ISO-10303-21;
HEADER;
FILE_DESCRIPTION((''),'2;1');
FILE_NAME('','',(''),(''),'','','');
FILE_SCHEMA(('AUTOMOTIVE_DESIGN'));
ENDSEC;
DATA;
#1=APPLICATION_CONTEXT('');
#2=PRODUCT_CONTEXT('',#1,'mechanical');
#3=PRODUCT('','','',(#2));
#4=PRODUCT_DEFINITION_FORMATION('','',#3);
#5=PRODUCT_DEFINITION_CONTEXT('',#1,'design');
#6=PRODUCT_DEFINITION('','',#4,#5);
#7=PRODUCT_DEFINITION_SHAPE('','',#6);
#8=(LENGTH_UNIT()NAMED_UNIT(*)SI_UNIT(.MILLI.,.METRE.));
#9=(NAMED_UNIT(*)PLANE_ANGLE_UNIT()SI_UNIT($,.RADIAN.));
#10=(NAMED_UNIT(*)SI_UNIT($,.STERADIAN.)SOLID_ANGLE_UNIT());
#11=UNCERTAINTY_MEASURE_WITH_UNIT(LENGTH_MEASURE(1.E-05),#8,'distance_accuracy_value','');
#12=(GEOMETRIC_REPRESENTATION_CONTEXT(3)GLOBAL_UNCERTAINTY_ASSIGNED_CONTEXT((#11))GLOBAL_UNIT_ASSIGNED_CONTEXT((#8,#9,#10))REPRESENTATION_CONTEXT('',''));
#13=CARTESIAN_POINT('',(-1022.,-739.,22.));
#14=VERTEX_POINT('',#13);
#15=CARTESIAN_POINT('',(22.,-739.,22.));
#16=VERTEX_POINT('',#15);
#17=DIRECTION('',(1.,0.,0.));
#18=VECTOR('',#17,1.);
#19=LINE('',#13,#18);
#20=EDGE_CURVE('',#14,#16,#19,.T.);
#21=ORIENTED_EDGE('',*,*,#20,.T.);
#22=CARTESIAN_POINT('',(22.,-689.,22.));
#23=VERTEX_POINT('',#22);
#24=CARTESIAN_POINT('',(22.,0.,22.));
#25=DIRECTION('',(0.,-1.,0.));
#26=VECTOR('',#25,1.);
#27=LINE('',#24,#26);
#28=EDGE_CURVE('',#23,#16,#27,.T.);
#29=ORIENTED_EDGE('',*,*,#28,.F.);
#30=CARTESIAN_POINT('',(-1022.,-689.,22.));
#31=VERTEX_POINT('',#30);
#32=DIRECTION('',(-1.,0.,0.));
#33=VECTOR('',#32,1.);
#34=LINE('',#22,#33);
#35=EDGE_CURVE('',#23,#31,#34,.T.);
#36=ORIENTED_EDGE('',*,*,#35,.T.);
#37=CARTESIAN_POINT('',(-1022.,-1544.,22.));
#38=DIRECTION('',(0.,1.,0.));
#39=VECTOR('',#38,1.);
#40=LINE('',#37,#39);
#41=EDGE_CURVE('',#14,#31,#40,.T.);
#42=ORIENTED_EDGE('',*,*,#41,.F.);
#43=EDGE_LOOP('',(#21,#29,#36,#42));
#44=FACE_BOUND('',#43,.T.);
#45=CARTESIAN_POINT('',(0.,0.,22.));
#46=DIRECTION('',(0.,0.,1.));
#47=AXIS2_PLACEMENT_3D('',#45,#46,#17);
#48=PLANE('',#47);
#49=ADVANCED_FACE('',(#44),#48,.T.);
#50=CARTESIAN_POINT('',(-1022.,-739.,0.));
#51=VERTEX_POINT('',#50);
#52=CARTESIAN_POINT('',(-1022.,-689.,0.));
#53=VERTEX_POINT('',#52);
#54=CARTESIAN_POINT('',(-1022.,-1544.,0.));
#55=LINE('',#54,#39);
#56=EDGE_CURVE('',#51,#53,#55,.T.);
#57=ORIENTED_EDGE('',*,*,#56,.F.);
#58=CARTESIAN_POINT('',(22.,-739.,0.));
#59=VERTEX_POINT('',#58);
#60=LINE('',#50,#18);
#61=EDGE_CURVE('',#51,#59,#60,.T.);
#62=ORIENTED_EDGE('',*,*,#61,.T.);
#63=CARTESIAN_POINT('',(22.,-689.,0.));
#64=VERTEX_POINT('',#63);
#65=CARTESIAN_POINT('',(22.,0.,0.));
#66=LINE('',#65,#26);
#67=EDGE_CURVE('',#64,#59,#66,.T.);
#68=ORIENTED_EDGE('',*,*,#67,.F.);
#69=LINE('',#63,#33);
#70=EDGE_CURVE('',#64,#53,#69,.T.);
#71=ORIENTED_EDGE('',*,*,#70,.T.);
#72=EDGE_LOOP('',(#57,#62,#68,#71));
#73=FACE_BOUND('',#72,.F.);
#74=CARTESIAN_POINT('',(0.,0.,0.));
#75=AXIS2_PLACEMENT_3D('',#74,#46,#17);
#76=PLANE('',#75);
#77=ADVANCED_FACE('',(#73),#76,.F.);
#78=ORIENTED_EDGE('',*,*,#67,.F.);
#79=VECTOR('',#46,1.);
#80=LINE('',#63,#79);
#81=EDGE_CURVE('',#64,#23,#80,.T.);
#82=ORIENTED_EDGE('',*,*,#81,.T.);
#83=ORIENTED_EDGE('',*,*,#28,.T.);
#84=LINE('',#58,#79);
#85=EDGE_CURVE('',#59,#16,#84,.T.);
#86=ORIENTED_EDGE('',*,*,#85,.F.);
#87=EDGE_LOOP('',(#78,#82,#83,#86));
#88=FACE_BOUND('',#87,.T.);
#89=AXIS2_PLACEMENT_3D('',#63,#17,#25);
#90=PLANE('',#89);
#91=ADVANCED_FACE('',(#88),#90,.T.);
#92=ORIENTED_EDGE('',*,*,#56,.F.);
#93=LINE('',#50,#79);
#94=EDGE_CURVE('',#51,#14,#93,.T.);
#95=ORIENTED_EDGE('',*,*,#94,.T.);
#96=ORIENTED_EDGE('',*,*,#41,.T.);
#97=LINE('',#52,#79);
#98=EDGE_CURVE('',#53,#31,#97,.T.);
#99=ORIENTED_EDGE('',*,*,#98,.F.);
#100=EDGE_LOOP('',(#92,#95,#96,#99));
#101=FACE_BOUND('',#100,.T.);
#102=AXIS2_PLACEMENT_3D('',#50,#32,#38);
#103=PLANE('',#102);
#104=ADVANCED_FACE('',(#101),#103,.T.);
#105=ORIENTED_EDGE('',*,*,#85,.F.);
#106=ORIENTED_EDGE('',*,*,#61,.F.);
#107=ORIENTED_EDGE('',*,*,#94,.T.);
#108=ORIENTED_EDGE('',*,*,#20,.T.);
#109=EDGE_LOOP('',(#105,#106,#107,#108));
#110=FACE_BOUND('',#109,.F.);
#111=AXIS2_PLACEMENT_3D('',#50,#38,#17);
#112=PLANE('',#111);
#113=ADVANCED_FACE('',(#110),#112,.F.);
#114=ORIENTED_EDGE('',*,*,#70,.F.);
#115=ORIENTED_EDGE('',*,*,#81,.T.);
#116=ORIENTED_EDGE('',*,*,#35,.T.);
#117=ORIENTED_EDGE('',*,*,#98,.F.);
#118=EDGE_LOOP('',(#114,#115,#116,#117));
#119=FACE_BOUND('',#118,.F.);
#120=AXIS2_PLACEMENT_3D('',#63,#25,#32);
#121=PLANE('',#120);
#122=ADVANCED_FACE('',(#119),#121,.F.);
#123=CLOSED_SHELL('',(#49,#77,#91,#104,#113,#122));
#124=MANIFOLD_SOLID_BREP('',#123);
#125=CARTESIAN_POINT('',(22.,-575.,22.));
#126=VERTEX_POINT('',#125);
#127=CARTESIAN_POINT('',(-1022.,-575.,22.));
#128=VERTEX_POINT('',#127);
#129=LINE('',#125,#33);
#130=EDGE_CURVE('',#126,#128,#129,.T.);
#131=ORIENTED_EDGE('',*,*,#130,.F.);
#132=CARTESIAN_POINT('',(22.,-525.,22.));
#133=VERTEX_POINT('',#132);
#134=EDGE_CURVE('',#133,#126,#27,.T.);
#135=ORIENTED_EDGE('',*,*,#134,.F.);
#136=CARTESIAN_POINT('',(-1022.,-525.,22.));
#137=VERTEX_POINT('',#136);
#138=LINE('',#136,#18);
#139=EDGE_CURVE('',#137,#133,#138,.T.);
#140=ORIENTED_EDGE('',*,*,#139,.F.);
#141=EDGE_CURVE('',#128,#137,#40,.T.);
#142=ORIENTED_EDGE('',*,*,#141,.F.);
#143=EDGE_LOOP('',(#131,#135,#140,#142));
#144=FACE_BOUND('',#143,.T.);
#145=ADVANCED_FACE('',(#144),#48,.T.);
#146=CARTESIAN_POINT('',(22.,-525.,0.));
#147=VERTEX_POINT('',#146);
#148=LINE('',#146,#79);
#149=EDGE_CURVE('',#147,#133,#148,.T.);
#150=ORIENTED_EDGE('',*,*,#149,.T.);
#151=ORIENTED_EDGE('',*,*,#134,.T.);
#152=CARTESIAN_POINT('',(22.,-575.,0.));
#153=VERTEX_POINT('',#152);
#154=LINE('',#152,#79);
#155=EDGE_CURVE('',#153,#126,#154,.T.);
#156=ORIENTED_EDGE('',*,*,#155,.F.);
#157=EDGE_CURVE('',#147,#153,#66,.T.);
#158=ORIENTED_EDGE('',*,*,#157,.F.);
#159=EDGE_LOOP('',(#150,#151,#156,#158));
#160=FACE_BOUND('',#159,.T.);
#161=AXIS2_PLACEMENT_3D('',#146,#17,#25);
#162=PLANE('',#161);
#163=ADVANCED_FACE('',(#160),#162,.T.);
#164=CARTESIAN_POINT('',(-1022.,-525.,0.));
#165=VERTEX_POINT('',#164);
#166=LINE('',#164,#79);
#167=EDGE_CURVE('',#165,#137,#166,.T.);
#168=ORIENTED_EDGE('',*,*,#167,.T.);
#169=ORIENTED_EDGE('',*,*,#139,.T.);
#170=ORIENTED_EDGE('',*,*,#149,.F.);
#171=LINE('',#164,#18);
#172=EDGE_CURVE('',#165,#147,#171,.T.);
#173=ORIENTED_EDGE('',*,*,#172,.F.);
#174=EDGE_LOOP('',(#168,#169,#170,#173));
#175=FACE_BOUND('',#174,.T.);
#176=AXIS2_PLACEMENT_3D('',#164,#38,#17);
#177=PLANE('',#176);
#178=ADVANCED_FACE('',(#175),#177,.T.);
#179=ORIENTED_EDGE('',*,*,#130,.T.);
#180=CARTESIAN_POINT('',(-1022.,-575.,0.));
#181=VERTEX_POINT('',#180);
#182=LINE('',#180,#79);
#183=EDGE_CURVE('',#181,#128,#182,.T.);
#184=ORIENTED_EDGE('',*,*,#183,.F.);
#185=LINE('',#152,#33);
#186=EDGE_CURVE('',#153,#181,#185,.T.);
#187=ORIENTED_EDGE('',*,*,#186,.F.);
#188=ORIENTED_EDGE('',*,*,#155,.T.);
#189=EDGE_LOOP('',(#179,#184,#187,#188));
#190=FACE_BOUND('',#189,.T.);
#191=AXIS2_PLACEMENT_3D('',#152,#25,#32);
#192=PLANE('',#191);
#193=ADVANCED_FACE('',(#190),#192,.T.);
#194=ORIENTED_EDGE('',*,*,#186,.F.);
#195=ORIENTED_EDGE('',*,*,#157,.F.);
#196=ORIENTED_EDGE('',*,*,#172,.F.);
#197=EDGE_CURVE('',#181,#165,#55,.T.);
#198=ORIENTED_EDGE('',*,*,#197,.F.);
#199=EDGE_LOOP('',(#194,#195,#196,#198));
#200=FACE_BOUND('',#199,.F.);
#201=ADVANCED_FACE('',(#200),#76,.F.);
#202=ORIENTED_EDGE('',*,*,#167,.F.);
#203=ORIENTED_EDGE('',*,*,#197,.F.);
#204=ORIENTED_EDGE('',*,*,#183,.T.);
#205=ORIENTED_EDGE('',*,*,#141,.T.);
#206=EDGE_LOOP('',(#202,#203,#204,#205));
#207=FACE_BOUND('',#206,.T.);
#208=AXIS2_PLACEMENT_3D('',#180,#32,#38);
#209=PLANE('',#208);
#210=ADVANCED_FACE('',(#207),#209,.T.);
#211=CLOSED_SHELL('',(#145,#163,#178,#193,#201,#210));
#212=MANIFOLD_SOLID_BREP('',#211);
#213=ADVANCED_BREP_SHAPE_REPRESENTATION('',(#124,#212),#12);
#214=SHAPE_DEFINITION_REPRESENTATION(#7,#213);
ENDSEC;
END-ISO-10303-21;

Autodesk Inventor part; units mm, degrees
ref_plane "YZ Plane" through (0, 0, 0) normal (1, 0, 0) x (0, 1, 0)
ref_plane "XZ Plane" through (0, 0, 0) normal (0, 1, 0) x (-1, 0, 0)
ref_plane "XY Plane" through (0, 0, 0) normal (0, 0, 1) x (1, 0, 0)
sketch "Sketch1" plane through (0, 0, 0) normal (0, 0, 1) x (1, 0, 0)
  circle A0 centre (-290, -632) radius 55 projected
  line L0 (22, 0) -> (22, -1544) projected
  line L1 (-1022, -1544) -> (-1022, 0) projected
  line L2 (-290, -632) -> (22, -632) construction
  line L3 (22, -575) -> (-1022, -575)
  line L4 (-1022, -575) -> (-1022, -525)
  line L5 (-1022, -525) -> (22, -525)
  line L6 (22, -525) -> (22, -575)
  line L7 (-290, -632) -> (-290, -492.7476) construction
  line L8 (22, -689) -> (-1022, -689)
  line L9 (-1022, -689) -> (-1022, -739)
  line L10 (-1022, -739) -> (22, -739)
  line L11 (22, -739) -> (22, -689)
  point P0 (0, 0)
  point P1 (-290, -771.2524)
  dimension "d1" = 50
  dimension "d2" = 57
extrude "Extrusion1" add sketch "Sketch1" along normal blind 22 contours L0 L3 L1 L5 | L0 L10 L1 L8
properties part number "Fan_oulet"
